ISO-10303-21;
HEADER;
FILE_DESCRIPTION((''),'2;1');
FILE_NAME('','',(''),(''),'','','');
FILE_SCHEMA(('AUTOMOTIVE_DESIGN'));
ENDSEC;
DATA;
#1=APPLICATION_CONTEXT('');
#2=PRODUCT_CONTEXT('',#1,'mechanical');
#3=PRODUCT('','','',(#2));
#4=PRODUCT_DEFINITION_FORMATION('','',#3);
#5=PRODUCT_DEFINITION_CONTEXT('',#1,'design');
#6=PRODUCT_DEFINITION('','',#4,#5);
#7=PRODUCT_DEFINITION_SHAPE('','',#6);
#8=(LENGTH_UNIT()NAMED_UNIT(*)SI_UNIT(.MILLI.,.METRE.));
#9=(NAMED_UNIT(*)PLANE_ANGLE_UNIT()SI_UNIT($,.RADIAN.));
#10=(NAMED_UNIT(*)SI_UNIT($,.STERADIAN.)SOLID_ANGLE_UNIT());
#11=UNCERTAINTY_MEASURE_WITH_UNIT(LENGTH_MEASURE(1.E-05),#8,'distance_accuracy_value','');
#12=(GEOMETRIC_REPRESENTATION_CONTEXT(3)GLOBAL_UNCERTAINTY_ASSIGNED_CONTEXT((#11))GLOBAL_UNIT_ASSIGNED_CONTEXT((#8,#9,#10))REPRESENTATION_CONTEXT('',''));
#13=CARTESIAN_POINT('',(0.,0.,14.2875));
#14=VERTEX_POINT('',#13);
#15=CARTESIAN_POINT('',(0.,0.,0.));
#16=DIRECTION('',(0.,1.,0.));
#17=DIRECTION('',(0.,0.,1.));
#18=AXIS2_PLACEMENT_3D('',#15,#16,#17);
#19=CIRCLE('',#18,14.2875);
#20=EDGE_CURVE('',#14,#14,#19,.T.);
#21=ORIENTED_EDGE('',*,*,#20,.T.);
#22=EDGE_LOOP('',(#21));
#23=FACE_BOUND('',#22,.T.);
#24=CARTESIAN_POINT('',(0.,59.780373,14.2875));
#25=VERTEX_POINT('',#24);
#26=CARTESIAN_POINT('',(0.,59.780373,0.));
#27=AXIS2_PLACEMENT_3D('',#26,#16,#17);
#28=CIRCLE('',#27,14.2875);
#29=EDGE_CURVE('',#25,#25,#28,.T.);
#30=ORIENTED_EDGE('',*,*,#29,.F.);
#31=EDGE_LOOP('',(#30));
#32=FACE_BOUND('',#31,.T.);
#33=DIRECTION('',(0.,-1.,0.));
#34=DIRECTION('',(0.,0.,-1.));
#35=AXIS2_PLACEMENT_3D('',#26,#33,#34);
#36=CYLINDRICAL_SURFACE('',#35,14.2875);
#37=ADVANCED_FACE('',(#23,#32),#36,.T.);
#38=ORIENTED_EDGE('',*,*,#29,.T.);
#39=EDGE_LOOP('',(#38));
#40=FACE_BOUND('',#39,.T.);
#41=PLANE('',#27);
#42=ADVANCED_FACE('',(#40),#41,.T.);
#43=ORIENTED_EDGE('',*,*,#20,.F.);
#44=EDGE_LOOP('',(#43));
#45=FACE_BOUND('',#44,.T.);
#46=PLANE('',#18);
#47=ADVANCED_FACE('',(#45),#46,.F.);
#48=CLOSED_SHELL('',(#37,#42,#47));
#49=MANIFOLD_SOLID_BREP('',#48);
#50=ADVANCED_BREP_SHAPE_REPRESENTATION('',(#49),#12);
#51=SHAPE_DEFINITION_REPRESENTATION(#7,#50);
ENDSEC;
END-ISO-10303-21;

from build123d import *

# Parameters (mm, degrees)
SKETCH1_R           = 14.2875
BOSS_EXTRUDE1_DEPTH = 59.7803732


with BuildPart() as part:
    # Sketch1 → Boss-Extrude1 (new body)
    with BuildSketch(Plane(origin=(0, 0, 0), x_dir=(1, 0, 0), z_dir=(0, 1, 0))):
        Circle(SKETCH1_R)
    extrude(amount=BOSS_EXTRUDE1_DEPTH)


solid = part.part
